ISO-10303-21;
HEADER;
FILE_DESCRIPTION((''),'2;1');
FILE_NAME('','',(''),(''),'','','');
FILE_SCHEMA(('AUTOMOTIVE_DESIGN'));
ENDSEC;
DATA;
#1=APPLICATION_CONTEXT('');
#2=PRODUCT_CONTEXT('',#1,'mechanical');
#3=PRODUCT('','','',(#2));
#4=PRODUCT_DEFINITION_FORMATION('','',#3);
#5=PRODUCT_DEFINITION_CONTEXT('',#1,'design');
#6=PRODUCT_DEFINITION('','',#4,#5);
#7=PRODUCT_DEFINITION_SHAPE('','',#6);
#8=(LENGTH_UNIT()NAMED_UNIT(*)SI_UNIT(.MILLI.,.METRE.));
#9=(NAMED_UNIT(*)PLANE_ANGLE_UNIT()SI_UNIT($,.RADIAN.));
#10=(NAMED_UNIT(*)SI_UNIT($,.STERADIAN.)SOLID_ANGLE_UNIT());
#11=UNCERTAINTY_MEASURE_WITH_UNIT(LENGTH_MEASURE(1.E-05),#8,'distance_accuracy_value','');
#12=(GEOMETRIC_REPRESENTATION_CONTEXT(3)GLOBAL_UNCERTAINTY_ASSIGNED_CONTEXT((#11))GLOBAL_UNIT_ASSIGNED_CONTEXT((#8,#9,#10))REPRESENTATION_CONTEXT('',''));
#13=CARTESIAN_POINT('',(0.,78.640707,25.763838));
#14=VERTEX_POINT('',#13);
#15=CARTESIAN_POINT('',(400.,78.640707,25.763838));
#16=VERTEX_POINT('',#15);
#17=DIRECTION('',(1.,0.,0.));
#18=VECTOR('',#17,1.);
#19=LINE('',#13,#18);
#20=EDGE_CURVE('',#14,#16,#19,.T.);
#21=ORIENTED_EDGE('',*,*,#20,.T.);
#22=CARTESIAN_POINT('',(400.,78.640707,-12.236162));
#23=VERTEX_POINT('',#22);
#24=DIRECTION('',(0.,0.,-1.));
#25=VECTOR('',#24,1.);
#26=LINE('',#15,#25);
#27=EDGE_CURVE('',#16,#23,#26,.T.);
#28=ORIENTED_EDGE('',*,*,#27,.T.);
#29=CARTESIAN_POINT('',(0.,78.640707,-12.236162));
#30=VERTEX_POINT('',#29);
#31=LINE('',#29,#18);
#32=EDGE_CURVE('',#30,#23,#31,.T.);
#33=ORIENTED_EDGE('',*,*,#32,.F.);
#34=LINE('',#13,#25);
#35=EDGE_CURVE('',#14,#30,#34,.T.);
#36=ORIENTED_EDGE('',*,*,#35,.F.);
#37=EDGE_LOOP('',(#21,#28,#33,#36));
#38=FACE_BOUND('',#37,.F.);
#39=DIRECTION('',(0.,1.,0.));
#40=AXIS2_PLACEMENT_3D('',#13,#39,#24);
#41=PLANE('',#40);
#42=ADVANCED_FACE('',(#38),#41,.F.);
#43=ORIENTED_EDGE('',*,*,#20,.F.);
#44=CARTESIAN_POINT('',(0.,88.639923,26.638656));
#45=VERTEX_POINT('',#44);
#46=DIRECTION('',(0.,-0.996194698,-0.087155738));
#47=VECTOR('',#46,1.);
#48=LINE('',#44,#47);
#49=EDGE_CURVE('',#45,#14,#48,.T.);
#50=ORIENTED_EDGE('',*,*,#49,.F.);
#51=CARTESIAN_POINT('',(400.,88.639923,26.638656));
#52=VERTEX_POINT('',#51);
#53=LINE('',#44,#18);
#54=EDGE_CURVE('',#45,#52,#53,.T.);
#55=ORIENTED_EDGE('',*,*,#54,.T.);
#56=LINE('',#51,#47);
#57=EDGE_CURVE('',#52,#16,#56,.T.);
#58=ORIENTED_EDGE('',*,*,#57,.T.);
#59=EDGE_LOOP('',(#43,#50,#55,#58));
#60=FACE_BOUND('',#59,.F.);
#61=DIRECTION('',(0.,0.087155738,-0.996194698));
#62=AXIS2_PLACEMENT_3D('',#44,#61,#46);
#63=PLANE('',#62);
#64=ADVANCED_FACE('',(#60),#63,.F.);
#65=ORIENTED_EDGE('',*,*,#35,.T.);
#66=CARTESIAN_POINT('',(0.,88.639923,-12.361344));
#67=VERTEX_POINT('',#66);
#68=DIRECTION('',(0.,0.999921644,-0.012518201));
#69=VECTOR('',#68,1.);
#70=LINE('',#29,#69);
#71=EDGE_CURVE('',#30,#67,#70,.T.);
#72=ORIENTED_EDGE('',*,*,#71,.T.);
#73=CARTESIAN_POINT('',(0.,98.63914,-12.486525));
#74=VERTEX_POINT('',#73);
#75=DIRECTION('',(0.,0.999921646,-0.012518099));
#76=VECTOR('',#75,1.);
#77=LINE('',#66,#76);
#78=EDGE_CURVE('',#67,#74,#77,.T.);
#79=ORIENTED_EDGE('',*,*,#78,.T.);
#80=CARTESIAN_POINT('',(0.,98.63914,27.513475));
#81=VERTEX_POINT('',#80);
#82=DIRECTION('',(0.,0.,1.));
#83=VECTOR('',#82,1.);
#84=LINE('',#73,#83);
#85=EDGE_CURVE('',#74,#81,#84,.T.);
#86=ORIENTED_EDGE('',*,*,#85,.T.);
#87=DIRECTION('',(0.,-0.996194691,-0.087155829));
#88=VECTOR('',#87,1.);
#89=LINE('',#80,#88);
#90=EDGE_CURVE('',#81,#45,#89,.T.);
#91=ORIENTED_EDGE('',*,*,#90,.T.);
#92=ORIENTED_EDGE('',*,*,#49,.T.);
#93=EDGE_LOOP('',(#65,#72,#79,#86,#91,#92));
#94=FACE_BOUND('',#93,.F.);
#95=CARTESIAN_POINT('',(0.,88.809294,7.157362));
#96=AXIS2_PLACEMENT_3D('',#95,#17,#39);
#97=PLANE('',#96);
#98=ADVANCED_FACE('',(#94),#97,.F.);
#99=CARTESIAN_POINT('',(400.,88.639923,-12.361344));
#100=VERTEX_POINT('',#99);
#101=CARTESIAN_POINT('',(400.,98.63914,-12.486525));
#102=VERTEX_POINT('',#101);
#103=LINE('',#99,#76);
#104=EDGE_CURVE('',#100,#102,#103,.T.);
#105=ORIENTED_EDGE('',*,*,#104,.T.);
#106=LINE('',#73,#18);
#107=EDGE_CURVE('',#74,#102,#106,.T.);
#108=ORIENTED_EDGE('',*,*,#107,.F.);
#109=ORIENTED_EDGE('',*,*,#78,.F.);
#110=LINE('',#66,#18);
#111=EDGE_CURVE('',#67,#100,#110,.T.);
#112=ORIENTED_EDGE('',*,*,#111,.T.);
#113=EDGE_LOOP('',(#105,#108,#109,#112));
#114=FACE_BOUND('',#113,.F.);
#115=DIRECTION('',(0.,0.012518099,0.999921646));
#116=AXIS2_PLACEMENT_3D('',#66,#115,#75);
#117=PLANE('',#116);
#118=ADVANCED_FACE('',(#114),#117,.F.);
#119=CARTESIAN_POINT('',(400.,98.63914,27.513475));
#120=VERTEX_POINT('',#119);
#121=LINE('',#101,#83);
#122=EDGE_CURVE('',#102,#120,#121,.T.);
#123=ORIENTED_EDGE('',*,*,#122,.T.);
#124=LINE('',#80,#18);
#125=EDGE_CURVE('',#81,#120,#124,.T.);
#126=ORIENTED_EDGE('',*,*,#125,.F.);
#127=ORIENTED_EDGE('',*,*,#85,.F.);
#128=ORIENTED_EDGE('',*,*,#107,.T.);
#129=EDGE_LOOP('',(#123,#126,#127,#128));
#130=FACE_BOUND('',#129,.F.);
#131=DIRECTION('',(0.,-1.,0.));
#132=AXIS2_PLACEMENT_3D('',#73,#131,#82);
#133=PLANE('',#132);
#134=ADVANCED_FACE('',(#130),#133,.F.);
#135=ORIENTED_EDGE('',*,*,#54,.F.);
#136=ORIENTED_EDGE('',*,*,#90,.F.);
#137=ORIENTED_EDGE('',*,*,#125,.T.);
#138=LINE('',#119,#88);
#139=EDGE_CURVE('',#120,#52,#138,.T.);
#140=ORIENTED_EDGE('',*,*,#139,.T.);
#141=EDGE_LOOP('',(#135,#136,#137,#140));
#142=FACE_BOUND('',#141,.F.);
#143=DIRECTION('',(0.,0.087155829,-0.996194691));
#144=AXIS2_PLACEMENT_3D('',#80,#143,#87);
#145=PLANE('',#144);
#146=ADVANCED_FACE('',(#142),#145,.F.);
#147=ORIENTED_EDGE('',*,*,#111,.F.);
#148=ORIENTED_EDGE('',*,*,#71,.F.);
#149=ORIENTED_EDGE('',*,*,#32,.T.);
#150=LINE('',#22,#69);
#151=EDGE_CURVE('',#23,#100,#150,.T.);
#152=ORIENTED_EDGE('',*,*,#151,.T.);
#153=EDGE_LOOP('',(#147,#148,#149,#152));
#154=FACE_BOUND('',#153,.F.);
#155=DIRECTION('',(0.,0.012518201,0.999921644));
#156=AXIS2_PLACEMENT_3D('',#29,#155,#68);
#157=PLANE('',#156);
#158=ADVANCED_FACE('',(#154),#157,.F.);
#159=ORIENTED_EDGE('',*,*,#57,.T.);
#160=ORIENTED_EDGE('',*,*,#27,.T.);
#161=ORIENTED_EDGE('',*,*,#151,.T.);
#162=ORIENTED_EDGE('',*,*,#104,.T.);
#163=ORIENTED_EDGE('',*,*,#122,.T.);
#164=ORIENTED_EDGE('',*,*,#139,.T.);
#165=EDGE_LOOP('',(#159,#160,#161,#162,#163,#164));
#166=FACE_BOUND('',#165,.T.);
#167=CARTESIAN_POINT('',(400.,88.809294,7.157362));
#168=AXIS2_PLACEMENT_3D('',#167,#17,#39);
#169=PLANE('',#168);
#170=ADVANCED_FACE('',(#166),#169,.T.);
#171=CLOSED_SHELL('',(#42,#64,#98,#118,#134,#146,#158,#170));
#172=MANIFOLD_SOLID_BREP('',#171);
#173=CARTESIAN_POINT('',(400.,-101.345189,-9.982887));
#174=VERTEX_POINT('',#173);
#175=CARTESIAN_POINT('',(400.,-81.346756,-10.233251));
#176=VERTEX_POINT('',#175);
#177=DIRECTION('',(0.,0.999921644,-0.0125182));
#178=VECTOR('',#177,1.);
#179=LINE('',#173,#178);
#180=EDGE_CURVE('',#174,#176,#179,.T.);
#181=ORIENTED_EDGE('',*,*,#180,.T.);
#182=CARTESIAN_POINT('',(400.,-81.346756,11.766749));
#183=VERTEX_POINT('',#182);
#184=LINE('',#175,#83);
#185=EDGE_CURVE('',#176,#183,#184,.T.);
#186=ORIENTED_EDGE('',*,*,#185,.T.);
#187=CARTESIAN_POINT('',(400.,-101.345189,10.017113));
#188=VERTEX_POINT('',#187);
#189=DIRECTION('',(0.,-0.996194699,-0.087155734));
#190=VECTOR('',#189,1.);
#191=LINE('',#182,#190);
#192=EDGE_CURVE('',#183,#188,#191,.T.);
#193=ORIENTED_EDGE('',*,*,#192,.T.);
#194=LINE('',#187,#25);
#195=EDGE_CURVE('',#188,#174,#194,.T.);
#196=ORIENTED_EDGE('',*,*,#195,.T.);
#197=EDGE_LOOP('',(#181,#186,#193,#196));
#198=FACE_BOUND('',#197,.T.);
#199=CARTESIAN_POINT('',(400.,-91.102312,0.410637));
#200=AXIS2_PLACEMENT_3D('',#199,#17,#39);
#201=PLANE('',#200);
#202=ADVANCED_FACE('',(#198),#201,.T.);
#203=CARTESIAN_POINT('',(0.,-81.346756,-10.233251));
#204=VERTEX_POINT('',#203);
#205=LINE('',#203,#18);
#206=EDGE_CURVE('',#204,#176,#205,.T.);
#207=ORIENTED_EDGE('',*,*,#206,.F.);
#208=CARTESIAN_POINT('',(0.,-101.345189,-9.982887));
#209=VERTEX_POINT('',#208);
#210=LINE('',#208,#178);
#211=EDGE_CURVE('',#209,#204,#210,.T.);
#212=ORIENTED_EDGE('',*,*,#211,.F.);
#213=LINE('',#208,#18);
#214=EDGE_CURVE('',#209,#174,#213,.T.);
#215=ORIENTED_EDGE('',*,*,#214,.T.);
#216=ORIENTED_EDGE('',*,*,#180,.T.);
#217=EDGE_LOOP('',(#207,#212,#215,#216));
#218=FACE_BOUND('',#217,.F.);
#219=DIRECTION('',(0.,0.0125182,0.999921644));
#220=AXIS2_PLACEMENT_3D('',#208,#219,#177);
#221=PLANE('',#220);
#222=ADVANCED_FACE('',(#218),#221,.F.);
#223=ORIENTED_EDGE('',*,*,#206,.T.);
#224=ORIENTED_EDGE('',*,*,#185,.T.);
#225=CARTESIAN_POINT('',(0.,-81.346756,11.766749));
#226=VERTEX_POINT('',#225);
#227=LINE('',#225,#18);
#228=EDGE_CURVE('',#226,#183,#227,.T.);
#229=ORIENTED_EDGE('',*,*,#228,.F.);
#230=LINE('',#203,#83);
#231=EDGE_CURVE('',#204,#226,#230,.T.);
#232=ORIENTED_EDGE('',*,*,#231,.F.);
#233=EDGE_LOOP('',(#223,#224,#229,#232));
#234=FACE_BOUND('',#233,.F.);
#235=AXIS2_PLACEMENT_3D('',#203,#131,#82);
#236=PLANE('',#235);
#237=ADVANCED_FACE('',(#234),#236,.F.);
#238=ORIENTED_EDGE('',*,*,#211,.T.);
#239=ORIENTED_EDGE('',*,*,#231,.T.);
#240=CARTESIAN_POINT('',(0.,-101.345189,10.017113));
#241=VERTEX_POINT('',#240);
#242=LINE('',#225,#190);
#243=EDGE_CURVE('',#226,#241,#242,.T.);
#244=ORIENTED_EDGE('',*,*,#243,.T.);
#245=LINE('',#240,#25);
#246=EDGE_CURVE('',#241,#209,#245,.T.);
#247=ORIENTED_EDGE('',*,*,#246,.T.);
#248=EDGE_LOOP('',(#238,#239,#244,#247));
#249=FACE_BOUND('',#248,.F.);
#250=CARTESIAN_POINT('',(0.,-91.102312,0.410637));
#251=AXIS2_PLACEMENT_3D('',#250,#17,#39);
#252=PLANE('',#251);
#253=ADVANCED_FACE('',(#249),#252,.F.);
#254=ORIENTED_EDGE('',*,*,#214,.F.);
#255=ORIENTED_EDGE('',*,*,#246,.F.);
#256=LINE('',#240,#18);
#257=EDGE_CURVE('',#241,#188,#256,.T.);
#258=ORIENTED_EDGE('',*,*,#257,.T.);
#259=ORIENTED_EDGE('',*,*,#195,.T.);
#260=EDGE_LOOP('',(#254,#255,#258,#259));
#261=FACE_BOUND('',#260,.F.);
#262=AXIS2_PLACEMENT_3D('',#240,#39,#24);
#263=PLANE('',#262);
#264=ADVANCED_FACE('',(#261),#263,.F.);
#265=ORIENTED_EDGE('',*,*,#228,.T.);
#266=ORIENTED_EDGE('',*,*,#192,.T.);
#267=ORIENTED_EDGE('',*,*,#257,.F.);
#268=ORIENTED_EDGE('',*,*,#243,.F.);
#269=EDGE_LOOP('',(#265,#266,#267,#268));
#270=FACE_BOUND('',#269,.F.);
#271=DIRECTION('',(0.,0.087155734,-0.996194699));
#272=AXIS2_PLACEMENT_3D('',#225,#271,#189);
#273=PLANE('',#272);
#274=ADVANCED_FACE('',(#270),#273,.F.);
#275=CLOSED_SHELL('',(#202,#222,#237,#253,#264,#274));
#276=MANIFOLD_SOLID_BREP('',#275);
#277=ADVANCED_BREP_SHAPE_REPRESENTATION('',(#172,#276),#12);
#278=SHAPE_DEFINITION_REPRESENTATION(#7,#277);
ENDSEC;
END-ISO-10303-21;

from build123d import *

# Parameters (mm, degrees)
F1_DEPTH = 400


with BuildPart() as f1:
    # F0 (on Right) → F1 (new body)
    with BuildSketch(Plane.YZ):
        Polygon((-81.346756, 11.766749), (-101.345189, 10.017113), (-101.345189, -9.982887), (-81.346756, -10.233251), align=None)
        Polygon((98.63914, -12.486525), (98.63914, 27.513475), (88.639923, 26.638656), (78.640707, 25.763838), (78.640707, -12.236162), (88.639923, -12.361344), align=None)
    extrude(amount=F1_DEPTH)


solid = f1.part
